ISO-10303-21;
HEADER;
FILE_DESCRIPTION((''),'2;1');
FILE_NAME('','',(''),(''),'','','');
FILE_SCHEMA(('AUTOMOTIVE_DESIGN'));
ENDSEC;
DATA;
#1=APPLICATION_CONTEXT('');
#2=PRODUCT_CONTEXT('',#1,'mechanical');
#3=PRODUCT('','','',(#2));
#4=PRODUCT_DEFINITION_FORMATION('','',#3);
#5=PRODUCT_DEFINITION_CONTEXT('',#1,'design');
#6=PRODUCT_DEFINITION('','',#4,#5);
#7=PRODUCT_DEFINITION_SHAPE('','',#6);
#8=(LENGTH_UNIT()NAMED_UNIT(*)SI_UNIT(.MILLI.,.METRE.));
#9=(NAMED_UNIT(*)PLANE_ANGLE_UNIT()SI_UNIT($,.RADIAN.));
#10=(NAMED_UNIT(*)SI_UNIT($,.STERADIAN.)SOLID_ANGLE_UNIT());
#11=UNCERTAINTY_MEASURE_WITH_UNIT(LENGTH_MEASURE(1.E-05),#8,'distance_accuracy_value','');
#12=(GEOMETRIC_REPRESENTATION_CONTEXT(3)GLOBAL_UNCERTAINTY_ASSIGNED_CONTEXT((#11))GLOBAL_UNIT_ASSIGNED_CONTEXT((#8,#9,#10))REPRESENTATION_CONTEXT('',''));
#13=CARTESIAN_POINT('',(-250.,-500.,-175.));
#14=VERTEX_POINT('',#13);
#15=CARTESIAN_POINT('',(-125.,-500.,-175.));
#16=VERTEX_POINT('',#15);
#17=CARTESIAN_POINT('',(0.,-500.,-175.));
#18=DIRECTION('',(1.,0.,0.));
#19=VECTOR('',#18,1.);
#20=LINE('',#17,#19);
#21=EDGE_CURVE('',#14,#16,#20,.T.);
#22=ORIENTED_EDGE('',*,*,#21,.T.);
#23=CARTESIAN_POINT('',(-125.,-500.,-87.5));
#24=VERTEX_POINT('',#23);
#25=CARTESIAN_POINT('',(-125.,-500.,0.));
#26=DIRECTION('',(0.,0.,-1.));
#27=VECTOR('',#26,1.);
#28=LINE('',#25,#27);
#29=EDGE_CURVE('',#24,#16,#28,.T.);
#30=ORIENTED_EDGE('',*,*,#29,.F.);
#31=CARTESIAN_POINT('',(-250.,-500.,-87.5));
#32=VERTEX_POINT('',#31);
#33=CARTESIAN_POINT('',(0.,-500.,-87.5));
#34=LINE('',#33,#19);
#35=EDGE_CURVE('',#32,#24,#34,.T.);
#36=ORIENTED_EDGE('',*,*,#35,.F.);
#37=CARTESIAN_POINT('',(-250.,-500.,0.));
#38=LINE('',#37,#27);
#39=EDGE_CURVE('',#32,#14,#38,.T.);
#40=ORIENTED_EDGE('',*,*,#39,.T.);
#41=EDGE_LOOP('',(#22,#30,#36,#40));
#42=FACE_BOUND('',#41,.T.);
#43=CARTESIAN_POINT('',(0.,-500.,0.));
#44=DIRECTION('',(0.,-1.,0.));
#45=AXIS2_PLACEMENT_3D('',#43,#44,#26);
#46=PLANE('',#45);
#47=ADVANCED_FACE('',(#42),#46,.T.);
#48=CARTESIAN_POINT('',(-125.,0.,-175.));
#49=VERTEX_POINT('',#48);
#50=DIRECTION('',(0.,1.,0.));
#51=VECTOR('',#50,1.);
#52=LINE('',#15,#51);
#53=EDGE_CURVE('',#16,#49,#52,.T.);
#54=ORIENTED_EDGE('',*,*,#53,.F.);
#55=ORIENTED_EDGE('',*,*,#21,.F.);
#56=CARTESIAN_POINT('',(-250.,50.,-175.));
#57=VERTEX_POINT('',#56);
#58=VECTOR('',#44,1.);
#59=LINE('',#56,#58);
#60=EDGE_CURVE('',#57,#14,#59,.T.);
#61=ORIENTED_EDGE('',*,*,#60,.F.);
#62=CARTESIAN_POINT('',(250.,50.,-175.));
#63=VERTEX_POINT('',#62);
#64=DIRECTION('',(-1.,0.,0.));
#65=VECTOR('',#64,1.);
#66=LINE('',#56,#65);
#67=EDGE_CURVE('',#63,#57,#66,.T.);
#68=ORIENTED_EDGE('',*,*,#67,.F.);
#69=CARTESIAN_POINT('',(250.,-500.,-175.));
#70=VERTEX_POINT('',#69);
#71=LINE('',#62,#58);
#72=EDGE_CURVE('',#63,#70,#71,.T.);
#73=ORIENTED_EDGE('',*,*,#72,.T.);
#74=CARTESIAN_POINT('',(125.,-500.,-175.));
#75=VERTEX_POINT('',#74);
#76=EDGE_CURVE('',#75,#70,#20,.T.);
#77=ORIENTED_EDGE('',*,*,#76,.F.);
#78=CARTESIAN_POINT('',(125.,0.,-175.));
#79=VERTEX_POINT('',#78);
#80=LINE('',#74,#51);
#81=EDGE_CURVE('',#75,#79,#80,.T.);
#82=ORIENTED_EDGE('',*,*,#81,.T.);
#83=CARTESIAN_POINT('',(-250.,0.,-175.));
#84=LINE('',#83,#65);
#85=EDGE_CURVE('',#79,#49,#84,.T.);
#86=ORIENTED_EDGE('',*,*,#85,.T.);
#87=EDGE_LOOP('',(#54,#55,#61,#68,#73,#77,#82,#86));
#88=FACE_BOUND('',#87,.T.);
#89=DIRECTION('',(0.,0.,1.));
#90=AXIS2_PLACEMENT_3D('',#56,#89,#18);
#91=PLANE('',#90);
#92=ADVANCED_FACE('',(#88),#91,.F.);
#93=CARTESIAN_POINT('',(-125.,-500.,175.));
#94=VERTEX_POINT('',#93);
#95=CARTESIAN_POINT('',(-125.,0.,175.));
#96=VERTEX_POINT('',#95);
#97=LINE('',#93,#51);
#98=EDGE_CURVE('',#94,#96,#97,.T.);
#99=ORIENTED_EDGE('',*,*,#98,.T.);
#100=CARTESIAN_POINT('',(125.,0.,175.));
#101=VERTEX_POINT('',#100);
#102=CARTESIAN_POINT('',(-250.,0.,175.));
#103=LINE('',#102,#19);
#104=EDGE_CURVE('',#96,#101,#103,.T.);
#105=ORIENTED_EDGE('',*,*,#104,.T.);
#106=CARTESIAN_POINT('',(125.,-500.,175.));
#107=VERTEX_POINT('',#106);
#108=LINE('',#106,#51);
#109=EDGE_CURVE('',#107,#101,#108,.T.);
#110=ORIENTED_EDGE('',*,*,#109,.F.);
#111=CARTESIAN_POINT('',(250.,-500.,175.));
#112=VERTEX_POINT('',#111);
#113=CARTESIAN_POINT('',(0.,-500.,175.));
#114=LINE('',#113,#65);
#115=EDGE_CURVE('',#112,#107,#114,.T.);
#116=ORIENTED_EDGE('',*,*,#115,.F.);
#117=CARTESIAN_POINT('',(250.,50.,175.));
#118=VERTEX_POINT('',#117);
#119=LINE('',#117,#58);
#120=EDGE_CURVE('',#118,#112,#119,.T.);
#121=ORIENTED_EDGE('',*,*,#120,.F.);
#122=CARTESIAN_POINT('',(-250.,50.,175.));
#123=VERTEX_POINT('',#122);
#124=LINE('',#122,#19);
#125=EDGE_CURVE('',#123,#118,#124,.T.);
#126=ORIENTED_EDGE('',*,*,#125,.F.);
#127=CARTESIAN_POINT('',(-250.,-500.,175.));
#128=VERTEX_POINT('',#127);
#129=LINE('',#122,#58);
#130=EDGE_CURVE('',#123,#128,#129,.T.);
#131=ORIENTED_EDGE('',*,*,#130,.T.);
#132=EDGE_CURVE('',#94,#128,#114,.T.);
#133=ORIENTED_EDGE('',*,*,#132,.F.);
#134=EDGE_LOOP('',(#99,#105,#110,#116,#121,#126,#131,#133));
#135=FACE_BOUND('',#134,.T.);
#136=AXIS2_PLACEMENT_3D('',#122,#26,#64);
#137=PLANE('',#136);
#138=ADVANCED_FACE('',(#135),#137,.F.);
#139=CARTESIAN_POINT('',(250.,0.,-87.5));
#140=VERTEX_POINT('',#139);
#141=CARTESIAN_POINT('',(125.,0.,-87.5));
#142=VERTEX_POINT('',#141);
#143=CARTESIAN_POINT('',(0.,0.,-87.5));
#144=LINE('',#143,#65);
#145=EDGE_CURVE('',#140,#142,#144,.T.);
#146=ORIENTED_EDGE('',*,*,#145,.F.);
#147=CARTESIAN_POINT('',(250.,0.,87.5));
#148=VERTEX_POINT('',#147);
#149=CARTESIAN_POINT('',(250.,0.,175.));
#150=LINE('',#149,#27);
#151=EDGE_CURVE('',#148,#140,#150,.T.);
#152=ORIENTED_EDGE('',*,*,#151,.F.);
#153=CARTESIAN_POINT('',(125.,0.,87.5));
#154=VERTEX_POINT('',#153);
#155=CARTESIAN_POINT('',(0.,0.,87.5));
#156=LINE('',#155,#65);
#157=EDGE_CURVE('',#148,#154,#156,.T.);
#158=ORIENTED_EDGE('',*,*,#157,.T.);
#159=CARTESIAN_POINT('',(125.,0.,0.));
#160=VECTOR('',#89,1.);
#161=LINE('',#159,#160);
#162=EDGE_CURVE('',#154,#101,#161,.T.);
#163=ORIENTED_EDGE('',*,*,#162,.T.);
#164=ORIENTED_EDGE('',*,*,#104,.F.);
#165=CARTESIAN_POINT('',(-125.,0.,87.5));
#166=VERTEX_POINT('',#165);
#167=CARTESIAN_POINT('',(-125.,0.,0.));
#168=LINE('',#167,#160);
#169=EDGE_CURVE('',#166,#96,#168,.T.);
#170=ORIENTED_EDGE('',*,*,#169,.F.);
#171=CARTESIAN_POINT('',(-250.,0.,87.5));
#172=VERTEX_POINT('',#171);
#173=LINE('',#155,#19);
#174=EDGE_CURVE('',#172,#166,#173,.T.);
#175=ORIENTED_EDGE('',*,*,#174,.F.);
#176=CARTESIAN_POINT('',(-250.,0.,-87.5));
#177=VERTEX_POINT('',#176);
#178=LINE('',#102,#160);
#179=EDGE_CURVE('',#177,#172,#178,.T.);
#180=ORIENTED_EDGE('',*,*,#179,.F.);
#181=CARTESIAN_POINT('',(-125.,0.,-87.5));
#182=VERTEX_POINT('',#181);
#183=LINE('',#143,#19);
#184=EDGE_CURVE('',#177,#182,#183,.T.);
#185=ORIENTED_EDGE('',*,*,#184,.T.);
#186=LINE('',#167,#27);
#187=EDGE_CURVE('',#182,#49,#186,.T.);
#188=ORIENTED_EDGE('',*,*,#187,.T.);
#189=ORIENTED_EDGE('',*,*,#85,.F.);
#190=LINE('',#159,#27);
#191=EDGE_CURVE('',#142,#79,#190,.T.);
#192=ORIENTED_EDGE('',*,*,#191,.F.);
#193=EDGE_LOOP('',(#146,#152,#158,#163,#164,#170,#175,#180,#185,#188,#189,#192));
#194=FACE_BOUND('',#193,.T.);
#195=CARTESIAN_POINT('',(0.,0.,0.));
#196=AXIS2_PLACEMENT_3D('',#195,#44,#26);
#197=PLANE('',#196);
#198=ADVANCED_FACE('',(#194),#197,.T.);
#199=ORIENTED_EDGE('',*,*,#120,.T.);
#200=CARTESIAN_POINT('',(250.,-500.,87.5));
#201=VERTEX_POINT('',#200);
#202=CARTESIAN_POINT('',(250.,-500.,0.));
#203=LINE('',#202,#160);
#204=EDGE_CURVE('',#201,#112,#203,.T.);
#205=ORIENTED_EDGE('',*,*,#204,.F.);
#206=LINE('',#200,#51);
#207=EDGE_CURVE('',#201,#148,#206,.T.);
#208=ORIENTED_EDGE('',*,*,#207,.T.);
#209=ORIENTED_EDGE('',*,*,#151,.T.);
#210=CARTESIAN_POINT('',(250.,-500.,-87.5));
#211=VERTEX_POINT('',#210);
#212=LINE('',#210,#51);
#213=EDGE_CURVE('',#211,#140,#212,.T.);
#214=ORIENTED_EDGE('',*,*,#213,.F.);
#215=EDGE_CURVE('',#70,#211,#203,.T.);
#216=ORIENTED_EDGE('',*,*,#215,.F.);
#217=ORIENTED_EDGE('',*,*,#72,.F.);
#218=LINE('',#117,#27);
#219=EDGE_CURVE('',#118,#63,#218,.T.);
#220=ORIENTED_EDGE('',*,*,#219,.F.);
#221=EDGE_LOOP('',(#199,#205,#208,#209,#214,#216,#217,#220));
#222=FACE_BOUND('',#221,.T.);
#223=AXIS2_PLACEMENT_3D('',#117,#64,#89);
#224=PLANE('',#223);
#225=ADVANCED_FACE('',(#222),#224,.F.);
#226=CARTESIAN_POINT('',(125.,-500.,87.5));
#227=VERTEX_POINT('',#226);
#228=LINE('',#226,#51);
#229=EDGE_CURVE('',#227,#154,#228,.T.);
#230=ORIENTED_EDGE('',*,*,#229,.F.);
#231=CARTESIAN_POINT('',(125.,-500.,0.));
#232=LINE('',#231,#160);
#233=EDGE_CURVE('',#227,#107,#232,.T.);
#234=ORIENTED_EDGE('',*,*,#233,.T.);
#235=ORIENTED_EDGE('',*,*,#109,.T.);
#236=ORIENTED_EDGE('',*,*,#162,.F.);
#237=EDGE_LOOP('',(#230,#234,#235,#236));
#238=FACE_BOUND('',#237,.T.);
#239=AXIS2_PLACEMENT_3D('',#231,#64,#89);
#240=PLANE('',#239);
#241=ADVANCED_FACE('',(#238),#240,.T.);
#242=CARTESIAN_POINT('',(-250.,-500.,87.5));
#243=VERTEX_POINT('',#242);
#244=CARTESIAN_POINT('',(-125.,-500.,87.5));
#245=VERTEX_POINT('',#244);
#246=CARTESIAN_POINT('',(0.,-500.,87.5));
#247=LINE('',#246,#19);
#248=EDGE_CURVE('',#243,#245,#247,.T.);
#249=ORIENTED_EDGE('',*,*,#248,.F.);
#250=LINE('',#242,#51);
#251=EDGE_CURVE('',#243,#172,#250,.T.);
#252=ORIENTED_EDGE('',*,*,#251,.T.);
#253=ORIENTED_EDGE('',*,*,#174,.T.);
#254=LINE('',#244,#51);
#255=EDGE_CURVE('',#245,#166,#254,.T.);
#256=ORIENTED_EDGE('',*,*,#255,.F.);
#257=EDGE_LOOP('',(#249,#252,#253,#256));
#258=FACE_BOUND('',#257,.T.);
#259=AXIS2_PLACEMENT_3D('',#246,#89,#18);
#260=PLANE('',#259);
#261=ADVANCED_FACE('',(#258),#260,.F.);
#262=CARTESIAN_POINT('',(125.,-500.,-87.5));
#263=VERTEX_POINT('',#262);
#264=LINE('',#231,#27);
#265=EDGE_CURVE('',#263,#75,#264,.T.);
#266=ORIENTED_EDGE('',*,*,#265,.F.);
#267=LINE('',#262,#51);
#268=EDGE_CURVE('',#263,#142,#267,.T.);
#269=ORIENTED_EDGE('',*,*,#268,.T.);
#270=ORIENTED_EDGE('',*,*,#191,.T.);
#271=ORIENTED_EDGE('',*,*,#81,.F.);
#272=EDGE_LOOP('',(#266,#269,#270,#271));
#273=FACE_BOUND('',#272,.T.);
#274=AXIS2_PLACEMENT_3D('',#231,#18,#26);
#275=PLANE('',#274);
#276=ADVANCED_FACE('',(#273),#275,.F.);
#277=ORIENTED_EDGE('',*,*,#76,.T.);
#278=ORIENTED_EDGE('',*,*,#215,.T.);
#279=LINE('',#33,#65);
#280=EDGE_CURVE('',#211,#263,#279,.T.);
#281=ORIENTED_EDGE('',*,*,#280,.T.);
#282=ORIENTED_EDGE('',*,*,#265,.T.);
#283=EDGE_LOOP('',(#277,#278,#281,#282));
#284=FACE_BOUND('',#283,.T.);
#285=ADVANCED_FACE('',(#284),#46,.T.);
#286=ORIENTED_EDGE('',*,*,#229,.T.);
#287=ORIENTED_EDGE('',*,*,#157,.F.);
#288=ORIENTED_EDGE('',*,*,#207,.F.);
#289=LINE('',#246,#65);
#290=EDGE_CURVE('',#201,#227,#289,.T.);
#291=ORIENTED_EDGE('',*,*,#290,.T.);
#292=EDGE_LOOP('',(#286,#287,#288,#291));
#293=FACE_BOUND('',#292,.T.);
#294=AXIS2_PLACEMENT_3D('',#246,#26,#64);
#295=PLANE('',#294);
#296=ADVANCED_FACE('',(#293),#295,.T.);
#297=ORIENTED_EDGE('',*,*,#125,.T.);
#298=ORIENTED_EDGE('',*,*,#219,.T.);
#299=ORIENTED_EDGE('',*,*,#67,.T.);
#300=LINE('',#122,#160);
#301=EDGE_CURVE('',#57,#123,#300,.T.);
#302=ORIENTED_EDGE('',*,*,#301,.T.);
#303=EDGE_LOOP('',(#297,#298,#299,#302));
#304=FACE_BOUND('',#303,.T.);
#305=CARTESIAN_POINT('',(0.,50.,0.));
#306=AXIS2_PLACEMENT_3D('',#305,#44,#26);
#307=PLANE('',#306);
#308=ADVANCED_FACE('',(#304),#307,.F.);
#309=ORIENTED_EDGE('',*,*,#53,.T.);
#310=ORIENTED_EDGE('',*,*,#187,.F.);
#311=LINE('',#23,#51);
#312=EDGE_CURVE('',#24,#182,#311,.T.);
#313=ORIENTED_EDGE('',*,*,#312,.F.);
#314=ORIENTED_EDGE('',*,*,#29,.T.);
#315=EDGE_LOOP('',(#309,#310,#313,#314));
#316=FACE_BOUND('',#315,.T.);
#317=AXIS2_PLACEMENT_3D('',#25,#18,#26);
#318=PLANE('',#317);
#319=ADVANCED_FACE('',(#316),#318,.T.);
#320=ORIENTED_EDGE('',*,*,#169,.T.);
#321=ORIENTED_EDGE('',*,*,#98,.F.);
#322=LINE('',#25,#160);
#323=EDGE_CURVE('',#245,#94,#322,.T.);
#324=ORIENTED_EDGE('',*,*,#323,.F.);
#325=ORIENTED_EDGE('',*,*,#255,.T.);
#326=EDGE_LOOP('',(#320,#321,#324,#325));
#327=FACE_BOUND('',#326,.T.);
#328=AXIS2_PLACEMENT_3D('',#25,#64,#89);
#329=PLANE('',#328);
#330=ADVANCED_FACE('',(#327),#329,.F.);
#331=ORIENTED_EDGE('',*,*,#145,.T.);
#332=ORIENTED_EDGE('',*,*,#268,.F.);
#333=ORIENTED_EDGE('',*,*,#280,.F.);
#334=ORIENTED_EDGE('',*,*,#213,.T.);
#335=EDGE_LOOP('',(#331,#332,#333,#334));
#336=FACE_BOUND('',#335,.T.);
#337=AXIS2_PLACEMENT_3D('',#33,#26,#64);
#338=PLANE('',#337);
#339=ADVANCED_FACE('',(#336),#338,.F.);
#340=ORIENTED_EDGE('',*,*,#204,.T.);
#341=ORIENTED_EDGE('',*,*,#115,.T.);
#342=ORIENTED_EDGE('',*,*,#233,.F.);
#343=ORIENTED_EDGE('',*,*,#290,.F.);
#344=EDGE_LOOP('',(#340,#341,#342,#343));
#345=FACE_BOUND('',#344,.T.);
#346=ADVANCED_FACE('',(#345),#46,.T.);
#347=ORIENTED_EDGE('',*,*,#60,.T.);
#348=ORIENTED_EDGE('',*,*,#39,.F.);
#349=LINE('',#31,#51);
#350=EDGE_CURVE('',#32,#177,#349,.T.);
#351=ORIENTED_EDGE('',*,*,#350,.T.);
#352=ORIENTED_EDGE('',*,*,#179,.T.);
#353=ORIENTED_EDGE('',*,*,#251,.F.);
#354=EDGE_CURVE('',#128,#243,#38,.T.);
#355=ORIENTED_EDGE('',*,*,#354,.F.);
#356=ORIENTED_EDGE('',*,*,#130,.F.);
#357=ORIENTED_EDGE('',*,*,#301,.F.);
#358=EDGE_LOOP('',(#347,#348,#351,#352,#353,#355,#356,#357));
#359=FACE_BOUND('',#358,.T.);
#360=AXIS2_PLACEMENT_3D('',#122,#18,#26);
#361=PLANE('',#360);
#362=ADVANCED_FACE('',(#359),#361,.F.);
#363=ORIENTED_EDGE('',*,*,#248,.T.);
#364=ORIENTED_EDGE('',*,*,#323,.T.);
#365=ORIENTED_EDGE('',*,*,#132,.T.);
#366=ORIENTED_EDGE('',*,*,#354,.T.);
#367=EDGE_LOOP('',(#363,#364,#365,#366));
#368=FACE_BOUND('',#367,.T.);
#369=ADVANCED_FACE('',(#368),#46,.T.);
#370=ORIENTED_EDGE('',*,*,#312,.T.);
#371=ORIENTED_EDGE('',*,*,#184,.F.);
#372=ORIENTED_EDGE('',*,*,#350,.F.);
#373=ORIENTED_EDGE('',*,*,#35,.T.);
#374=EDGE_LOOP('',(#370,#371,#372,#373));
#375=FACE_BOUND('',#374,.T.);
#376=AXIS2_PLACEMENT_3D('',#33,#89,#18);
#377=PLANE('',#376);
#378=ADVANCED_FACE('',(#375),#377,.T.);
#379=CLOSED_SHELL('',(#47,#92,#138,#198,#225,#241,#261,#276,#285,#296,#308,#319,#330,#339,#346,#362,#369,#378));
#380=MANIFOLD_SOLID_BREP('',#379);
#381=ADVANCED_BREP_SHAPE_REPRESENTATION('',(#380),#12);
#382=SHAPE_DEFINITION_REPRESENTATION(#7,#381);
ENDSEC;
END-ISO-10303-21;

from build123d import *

# Parameters (mm, degrees)
CROQUIS2_W              = 500
CROQUIS2_H              = 350
SALIENTE_EXTRUIR1_DEPTH = 50
CROQUIS3_W              = 125
CROQUIS3_H              = 87.5
SALIENTE_EXTRUIR2_DEPTH = 500


with BuildPart() as part:
    # Croquis2 → Saliente-Extruir1 (new body)
    with BuildSketch(Plane(origin=(0, 0, 0), x_dir=(1, 0, 0), z_dir=(0, 1, 0))):
        Rectangle(CROQUIS2_W, CROQUIS2_H)
    extrude(amount=SALIENTE_EXTRUIR1_DEPTH)

    # Croquis3 → Saliente-Extruir2 (add)
    with BuildSketch(Plane.XZ):
        with Locations((-187.5, 131.25)):
            Rectangle(CROQUIS3_W, CROQUIS3_H)
        with Locations((-187.5, -131.25)):
            Rectangle(CROQUIS3_W, CROQUIS3_H)
        with Locations((187.5, -131.25)):
            Rectangle(CROQUIS3_W, CROQUIS3_H)
        with Locations((187.5, 131.25)):
            Rectangle(CROQUIS3_W, CROQUIS3_H)
    extrude(amount=SALIENTE_EXTRUIR2_DEPTH)


solid = part.part
